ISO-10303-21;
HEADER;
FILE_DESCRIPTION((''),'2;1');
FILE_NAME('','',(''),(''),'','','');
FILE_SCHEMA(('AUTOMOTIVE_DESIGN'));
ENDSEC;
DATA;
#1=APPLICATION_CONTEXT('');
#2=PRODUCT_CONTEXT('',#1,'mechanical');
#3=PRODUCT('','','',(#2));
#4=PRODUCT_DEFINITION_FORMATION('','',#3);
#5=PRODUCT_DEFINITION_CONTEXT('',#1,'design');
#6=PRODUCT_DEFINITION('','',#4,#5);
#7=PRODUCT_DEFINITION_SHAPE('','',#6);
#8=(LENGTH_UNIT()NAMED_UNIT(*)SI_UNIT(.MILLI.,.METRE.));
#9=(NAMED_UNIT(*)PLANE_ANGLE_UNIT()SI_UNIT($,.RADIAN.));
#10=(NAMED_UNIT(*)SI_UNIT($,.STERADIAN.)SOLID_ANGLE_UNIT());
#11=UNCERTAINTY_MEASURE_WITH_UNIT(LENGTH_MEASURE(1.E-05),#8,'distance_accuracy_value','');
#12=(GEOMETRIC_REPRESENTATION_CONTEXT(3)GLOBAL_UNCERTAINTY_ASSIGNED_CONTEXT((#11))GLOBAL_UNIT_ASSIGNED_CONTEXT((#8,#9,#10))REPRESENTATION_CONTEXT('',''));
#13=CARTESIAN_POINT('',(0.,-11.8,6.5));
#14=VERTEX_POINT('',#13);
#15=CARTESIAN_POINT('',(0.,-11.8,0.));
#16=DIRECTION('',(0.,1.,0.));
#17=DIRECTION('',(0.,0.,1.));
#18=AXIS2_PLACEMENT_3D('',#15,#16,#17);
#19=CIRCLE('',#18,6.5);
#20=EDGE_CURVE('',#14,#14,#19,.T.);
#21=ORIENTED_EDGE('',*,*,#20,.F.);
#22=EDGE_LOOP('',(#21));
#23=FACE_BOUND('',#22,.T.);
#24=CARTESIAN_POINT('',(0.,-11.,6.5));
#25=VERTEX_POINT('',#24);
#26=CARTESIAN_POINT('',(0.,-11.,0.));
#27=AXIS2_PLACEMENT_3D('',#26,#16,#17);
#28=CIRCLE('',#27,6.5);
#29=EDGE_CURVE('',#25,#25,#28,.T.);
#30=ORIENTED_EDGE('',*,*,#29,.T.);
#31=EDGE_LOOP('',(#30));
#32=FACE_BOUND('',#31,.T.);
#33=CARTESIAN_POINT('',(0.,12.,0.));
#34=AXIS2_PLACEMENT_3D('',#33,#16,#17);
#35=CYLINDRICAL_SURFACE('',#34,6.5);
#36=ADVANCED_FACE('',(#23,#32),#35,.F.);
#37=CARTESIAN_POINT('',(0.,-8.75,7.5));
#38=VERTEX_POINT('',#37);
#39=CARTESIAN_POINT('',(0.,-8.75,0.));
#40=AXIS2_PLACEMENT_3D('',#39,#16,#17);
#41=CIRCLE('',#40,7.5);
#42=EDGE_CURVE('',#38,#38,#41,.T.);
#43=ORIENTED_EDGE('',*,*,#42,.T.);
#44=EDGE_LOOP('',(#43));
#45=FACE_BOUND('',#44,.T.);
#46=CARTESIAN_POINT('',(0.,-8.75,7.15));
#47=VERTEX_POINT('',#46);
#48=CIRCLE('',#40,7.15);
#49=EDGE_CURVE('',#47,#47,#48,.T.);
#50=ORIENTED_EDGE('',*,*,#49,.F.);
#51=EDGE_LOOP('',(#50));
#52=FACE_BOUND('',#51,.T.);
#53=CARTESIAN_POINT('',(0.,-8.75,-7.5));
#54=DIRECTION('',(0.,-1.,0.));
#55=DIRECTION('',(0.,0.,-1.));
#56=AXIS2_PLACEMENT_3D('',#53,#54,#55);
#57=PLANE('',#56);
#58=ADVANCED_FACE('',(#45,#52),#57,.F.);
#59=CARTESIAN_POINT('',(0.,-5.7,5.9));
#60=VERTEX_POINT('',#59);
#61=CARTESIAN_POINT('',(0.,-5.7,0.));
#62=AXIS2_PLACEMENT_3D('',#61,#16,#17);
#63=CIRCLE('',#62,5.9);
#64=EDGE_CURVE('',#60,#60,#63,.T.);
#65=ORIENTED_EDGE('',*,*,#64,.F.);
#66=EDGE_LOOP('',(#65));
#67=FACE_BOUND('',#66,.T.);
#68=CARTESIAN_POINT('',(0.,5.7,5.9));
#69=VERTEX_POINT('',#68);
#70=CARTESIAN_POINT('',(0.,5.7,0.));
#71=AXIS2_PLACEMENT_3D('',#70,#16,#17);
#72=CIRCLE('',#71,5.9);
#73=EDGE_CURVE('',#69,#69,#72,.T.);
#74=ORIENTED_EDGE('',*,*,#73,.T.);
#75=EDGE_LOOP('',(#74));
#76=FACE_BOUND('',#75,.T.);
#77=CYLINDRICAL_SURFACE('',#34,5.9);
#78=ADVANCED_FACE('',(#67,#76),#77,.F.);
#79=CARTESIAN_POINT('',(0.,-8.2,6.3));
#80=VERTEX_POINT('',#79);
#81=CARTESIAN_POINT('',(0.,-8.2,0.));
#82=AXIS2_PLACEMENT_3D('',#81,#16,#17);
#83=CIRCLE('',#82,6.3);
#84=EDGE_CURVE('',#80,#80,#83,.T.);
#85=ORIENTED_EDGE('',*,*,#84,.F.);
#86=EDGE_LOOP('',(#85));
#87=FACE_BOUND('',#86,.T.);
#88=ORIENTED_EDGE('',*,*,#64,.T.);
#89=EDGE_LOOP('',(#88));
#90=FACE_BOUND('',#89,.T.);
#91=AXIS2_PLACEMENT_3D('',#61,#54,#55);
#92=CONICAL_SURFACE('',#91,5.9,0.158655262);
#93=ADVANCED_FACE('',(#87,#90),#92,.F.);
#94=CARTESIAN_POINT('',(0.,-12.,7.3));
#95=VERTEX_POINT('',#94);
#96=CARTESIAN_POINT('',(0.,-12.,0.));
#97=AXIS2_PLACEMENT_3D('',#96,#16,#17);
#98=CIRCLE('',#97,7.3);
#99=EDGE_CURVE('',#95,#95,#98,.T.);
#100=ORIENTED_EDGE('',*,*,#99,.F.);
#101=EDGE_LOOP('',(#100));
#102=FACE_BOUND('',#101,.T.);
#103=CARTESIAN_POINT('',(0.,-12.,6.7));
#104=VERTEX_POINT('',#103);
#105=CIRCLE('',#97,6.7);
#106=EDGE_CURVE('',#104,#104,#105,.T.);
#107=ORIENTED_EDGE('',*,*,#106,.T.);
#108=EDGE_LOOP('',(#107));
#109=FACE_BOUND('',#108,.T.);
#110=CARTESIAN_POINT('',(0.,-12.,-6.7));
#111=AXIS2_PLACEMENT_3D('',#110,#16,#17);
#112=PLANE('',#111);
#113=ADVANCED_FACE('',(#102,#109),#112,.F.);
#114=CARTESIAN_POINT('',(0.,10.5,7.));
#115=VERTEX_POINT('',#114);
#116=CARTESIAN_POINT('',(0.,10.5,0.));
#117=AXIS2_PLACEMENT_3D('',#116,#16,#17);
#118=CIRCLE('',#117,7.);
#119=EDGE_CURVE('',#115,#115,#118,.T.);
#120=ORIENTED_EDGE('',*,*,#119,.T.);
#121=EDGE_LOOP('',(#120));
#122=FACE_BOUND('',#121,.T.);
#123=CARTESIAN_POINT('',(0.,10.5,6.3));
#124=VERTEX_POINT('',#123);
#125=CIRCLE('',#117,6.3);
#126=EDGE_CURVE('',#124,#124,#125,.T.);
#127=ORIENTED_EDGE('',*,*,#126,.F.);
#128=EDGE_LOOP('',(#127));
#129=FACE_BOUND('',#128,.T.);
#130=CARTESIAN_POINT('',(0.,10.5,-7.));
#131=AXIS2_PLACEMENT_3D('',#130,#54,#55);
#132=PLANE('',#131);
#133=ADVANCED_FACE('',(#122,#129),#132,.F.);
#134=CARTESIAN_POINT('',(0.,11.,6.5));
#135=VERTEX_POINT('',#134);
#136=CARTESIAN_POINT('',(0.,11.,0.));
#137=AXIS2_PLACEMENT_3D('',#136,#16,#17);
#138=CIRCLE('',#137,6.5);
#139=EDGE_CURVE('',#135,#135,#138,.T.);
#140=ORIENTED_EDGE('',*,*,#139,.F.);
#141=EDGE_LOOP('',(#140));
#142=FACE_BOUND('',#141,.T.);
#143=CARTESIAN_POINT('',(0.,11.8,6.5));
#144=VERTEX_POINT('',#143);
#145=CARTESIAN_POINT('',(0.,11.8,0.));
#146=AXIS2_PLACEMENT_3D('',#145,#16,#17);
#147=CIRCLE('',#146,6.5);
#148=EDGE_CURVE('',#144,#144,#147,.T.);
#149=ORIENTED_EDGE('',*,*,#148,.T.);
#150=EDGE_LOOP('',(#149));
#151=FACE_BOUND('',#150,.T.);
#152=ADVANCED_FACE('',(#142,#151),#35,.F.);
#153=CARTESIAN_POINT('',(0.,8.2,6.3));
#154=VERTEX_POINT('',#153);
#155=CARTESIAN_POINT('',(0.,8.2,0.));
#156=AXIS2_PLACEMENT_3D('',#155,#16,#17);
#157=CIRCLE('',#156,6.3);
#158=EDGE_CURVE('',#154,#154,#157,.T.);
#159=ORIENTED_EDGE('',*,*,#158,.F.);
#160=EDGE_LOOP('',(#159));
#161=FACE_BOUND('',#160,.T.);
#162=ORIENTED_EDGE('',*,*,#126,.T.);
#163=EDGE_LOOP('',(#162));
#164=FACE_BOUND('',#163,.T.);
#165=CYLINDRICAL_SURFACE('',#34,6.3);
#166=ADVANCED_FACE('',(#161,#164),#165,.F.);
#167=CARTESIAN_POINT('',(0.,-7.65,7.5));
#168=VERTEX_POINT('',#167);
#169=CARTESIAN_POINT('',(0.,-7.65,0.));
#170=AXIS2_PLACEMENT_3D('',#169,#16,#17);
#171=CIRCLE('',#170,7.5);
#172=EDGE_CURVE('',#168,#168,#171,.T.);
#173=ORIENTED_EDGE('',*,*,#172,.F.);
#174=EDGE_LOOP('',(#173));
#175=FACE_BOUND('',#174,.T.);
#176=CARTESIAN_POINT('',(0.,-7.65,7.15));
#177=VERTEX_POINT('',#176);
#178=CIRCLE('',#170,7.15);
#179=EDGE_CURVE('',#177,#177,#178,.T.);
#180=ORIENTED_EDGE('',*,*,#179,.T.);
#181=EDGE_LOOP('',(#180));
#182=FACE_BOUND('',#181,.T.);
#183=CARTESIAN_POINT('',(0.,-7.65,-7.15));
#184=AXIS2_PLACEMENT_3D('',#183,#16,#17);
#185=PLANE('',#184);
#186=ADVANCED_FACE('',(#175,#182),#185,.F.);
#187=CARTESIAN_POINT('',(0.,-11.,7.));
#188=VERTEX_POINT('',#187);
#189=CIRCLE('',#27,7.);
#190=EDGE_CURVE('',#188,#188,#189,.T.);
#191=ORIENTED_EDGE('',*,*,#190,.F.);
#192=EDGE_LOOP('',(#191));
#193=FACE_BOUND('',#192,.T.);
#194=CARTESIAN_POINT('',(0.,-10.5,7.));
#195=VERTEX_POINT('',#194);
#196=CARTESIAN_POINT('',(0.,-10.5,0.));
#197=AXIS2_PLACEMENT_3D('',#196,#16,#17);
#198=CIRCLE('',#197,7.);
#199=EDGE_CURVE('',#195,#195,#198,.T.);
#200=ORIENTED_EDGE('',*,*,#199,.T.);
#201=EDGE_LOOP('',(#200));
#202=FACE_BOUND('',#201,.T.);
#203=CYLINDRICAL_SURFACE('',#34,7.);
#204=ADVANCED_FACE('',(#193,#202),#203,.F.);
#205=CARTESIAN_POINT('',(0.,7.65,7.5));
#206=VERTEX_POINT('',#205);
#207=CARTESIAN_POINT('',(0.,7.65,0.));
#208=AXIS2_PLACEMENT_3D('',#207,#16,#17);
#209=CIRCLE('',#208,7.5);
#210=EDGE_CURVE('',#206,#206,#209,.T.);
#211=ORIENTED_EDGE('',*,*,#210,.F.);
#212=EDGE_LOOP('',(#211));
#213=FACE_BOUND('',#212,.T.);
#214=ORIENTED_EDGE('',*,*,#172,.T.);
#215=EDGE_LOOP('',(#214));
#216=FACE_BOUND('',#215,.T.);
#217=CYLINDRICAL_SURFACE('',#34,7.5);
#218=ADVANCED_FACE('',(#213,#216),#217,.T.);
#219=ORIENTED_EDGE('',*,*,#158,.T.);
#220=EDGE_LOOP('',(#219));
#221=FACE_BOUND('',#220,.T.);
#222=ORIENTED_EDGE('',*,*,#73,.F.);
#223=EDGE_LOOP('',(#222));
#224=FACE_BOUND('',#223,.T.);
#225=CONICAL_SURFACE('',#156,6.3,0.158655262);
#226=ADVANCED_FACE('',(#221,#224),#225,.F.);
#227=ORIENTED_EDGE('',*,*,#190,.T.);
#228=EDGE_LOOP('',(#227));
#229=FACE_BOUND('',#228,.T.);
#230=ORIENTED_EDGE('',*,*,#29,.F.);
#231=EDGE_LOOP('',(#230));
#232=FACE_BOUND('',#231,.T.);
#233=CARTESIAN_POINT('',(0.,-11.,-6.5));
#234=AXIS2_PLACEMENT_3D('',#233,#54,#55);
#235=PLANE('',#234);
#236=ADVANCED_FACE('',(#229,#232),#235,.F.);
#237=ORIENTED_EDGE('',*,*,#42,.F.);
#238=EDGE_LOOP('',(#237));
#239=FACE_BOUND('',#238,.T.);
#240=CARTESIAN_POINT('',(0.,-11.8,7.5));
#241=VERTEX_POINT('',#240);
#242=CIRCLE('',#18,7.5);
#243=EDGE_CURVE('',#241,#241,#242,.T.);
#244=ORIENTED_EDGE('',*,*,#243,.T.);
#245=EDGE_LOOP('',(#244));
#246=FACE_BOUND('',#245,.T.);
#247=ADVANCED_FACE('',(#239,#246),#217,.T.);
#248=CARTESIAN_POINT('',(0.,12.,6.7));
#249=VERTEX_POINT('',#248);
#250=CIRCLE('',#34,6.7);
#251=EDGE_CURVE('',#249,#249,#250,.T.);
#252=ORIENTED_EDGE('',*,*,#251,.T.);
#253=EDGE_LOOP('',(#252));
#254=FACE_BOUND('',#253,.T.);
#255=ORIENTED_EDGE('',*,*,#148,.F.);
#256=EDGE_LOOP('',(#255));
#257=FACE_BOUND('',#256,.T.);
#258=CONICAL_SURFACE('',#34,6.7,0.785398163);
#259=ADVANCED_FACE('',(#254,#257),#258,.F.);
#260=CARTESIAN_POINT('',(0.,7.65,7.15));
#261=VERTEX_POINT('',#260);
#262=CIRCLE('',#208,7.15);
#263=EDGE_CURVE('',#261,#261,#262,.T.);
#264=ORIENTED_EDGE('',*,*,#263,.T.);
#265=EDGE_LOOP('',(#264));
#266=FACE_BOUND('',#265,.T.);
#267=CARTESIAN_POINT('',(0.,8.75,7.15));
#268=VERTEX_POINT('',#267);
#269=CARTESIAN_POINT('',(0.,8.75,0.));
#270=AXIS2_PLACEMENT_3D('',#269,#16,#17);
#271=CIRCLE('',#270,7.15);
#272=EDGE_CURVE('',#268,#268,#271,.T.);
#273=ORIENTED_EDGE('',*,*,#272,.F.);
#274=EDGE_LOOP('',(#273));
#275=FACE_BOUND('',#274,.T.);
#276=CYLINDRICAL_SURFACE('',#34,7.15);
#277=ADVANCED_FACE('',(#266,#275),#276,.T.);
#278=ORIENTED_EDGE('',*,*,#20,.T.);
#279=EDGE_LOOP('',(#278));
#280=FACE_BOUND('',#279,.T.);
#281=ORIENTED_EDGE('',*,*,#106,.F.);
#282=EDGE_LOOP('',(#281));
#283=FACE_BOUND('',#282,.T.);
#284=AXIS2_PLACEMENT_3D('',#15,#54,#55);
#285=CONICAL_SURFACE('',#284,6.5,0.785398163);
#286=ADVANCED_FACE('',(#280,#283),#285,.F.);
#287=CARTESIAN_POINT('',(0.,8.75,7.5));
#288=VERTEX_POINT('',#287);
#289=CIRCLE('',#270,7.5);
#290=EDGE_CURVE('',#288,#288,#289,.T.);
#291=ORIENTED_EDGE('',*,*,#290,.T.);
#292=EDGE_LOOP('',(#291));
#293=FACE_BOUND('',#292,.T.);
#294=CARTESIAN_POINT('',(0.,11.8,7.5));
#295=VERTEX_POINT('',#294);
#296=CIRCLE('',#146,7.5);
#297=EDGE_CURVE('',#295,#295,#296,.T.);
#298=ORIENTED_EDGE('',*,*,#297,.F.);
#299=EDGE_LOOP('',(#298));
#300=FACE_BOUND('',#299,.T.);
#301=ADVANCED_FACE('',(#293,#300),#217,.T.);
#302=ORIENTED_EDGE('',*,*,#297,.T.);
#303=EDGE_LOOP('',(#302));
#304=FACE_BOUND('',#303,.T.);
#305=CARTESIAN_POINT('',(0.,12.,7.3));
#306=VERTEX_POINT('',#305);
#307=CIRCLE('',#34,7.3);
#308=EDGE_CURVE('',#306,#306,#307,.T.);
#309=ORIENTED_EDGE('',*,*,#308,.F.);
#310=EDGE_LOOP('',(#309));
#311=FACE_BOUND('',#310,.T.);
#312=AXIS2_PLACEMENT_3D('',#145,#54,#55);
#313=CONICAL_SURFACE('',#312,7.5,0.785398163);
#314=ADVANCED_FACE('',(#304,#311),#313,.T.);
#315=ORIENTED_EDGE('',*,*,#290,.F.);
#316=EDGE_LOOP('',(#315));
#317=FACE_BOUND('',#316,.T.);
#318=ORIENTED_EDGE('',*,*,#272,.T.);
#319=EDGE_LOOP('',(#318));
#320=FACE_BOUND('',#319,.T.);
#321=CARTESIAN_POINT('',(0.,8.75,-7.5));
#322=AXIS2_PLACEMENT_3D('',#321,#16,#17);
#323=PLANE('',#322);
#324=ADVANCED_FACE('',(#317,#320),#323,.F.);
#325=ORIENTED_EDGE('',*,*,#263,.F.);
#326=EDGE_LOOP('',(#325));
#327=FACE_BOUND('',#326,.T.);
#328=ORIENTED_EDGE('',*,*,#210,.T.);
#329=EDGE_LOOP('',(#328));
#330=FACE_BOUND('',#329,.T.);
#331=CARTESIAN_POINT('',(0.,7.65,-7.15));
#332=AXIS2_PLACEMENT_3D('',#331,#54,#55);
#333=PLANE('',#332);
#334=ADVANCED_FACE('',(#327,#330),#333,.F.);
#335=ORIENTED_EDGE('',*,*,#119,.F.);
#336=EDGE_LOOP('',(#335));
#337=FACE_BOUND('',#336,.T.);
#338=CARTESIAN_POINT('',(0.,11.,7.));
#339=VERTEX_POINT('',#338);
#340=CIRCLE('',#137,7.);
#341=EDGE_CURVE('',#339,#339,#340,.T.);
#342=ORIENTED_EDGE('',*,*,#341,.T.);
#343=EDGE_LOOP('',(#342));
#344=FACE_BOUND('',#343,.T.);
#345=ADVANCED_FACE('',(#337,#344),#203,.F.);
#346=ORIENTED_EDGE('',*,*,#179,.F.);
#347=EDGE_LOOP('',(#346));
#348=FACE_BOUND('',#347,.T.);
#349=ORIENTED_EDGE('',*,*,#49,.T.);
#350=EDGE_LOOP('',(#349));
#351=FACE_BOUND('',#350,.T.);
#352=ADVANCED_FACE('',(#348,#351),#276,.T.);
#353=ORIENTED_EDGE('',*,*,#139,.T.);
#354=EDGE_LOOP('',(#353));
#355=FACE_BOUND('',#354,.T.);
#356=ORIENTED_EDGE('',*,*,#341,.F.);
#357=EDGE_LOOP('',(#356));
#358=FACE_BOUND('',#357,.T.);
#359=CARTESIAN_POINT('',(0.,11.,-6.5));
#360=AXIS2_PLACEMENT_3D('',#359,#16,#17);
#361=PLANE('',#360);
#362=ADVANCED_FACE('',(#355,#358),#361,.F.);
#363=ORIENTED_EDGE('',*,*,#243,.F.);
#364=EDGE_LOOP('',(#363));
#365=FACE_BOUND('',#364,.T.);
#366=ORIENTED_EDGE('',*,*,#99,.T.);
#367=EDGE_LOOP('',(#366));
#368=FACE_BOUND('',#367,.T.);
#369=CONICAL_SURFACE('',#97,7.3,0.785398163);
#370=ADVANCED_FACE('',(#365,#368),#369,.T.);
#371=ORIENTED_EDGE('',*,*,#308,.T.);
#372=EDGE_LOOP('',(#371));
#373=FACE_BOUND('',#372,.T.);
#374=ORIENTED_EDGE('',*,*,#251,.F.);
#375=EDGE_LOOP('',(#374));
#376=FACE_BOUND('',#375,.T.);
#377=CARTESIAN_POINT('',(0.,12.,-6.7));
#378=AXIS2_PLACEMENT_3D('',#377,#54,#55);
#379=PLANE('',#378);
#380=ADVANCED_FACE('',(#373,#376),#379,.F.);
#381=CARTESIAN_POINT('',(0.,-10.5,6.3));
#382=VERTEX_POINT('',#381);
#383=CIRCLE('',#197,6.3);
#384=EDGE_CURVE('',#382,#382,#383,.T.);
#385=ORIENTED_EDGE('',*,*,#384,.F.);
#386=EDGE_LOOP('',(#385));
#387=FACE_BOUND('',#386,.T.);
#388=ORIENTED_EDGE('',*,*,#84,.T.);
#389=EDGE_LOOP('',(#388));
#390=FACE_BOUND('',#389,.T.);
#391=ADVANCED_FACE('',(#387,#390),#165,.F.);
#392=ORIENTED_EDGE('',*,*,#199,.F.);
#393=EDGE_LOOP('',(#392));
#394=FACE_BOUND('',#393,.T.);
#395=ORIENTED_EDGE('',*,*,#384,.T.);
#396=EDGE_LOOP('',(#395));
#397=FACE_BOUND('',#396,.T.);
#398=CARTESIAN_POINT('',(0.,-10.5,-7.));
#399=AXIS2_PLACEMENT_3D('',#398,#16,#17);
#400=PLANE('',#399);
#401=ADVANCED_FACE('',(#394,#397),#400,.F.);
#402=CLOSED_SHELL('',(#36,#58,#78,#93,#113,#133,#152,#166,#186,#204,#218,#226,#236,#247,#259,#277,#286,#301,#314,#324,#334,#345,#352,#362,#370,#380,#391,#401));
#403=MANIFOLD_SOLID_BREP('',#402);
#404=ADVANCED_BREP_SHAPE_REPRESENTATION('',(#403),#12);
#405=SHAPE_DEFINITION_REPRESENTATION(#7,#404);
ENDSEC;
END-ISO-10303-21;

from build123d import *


with BuildPart() as part:
    # Sketch1 → Revolve1 (revolve)
    with BuildSketch(Plane(origin=(0, 0, 0), x_dir=(0, 0, -1), z_dir=(1, 0, 0))):
        Polygon((6.7, 12), (7.3, 12), (7.5, 11.8), (7.5, 8.75), (7.15, 8.75), (7.15, 7.65), (7.5, 7.65), (7.5, -7.65), (7.15, -7.65), (7.15, -8.75), (7.5, -8.75), (7.5, -11.8), (7.3, -12), (6.7, -12), (6.5, -11.8), (6.5, -11), (7, -11), (7, -10.5), (6.3, -10.5), (6.3, -8.2), (5.9, -5.7), (5.9, 5.7), (6.3, 8.2), (6.3, 10.5), (7, 10.5), (7, 11), (6.5, 11), (6.5, 11.8), align=None)
    revolve(axis=Axis((0, 12, 0), (0, -1, 0)))


solid = part.part
